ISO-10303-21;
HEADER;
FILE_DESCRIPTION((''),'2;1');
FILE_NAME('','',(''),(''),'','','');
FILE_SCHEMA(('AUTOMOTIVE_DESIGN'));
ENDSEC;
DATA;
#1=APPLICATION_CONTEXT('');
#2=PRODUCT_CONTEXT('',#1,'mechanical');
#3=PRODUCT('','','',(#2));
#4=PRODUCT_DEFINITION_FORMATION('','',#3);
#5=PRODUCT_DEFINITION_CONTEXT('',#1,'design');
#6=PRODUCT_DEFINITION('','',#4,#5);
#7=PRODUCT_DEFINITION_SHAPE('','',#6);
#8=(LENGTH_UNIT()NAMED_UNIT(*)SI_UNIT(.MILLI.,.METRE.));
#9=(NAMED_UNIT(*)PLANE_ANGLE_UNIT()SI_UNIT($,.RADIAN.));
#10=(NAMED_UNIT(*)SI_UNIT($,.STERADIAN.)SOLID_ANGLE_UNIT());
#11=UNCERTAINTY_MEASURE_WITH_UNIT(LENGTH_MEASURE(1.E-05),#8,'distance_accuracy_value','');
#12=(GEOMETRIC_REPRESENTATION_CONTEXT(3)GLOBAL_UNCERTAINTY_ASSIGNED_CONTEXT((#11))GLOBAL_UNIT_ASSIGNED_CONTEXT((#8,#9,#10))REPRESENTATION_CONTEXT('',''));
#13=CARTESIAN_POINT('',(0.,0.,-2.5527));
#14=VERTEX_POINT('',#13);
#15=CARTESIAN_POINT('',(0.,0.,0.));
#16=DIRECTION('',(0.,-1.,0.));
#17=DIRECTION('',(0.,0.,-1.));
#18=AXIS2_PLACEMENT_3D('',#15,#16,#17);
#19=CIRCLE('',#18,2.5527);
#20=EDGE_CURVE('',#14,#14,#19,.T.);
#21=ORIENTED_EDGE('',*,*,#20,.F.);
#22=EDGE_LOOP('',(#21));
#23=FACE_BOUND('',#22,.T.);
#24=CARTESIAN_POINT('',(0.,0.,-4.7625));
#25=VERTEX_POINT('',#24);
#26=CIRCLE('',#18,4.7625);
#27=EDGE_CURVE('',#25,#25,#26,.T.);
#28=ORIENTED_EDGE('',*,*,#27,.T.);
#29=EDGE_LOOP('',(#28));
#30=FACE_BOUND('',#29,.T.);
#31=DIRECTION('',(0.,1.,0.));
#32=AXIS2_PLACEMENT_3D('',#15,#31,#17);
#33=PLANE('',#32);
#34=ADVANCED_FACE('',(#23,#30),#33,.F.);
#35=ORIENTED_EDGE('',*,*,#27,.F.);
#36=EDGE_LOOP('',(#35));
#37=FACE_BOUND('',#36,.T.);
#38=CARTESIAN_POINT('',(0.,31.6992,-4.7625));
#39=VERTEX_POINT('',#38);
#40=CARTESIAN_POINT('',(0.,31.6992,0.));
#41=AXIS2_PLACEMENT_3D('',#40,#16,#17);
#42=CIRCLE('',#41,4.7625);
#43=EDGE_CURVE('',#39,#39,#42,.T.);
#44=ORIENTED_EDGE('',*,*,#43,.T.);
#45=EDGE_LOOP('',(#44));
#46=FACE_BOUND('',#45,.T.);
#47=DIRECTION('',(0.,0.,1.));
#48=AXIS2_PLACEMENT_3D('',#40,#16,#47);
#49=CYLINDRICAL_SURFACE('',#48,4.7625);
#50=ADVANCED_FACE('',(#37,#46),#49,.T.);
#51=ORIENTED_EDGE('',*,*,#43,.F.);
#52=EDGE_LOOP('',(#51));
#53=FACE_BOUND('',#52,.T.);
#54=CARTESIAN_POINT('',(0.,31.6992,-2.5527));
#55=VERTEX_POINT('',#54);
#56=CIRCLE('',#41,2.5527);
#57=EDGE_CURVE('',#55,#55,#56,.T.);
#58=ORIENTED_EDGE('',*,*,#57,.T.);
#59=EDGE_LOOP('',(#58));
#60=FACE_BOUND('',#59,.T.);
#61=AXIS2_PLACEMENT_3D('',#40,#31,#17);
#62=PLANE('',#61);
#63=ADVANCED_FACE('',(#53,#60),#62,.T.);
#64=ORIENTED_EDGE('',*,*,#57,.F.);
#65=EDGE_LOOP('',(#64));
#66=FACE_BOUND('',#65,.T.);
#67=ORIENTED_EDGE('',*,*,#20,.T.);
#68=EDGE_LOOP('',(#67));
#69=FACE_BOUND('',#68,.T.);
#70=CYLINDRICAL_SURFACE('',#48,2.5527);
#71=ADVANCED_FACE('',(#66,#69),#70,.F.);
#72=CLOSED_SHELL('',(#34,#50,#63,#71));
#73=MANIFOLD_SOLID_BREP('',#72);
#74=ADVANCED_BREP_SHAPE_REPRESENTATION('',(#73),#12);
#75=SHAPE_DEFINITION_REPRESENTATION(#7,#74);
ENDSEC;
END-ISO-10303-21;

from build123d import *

# Parameters (mm, degrees)
SKETCH1_R           = 4.7625
SKETCH1_R_2         = 2.5527
BOSS_EXTRUDE1_DEPTH = 31.6992


with BuildPart() as part:
    # Sketch1 → Boss-Extrude1 (new body)
    with BuildSketch(Plane(origin=(0, 0, 0), x_dir=(1, 0, 0), z_dir=(0, 1, 0))):
        with Locations(Location((0, 0, 0), (0, 0, 270))):
            Circle(SKETCH1_R)
        with Locations(Location((0, 0, 0), (0, 0, 270))):
            Circle(SKETCH1_R_2, mode=Mode.SUBTRACT)
    extrude(amount=BOSS_EXTRUDE1_DEPTH)


solid = part.part
